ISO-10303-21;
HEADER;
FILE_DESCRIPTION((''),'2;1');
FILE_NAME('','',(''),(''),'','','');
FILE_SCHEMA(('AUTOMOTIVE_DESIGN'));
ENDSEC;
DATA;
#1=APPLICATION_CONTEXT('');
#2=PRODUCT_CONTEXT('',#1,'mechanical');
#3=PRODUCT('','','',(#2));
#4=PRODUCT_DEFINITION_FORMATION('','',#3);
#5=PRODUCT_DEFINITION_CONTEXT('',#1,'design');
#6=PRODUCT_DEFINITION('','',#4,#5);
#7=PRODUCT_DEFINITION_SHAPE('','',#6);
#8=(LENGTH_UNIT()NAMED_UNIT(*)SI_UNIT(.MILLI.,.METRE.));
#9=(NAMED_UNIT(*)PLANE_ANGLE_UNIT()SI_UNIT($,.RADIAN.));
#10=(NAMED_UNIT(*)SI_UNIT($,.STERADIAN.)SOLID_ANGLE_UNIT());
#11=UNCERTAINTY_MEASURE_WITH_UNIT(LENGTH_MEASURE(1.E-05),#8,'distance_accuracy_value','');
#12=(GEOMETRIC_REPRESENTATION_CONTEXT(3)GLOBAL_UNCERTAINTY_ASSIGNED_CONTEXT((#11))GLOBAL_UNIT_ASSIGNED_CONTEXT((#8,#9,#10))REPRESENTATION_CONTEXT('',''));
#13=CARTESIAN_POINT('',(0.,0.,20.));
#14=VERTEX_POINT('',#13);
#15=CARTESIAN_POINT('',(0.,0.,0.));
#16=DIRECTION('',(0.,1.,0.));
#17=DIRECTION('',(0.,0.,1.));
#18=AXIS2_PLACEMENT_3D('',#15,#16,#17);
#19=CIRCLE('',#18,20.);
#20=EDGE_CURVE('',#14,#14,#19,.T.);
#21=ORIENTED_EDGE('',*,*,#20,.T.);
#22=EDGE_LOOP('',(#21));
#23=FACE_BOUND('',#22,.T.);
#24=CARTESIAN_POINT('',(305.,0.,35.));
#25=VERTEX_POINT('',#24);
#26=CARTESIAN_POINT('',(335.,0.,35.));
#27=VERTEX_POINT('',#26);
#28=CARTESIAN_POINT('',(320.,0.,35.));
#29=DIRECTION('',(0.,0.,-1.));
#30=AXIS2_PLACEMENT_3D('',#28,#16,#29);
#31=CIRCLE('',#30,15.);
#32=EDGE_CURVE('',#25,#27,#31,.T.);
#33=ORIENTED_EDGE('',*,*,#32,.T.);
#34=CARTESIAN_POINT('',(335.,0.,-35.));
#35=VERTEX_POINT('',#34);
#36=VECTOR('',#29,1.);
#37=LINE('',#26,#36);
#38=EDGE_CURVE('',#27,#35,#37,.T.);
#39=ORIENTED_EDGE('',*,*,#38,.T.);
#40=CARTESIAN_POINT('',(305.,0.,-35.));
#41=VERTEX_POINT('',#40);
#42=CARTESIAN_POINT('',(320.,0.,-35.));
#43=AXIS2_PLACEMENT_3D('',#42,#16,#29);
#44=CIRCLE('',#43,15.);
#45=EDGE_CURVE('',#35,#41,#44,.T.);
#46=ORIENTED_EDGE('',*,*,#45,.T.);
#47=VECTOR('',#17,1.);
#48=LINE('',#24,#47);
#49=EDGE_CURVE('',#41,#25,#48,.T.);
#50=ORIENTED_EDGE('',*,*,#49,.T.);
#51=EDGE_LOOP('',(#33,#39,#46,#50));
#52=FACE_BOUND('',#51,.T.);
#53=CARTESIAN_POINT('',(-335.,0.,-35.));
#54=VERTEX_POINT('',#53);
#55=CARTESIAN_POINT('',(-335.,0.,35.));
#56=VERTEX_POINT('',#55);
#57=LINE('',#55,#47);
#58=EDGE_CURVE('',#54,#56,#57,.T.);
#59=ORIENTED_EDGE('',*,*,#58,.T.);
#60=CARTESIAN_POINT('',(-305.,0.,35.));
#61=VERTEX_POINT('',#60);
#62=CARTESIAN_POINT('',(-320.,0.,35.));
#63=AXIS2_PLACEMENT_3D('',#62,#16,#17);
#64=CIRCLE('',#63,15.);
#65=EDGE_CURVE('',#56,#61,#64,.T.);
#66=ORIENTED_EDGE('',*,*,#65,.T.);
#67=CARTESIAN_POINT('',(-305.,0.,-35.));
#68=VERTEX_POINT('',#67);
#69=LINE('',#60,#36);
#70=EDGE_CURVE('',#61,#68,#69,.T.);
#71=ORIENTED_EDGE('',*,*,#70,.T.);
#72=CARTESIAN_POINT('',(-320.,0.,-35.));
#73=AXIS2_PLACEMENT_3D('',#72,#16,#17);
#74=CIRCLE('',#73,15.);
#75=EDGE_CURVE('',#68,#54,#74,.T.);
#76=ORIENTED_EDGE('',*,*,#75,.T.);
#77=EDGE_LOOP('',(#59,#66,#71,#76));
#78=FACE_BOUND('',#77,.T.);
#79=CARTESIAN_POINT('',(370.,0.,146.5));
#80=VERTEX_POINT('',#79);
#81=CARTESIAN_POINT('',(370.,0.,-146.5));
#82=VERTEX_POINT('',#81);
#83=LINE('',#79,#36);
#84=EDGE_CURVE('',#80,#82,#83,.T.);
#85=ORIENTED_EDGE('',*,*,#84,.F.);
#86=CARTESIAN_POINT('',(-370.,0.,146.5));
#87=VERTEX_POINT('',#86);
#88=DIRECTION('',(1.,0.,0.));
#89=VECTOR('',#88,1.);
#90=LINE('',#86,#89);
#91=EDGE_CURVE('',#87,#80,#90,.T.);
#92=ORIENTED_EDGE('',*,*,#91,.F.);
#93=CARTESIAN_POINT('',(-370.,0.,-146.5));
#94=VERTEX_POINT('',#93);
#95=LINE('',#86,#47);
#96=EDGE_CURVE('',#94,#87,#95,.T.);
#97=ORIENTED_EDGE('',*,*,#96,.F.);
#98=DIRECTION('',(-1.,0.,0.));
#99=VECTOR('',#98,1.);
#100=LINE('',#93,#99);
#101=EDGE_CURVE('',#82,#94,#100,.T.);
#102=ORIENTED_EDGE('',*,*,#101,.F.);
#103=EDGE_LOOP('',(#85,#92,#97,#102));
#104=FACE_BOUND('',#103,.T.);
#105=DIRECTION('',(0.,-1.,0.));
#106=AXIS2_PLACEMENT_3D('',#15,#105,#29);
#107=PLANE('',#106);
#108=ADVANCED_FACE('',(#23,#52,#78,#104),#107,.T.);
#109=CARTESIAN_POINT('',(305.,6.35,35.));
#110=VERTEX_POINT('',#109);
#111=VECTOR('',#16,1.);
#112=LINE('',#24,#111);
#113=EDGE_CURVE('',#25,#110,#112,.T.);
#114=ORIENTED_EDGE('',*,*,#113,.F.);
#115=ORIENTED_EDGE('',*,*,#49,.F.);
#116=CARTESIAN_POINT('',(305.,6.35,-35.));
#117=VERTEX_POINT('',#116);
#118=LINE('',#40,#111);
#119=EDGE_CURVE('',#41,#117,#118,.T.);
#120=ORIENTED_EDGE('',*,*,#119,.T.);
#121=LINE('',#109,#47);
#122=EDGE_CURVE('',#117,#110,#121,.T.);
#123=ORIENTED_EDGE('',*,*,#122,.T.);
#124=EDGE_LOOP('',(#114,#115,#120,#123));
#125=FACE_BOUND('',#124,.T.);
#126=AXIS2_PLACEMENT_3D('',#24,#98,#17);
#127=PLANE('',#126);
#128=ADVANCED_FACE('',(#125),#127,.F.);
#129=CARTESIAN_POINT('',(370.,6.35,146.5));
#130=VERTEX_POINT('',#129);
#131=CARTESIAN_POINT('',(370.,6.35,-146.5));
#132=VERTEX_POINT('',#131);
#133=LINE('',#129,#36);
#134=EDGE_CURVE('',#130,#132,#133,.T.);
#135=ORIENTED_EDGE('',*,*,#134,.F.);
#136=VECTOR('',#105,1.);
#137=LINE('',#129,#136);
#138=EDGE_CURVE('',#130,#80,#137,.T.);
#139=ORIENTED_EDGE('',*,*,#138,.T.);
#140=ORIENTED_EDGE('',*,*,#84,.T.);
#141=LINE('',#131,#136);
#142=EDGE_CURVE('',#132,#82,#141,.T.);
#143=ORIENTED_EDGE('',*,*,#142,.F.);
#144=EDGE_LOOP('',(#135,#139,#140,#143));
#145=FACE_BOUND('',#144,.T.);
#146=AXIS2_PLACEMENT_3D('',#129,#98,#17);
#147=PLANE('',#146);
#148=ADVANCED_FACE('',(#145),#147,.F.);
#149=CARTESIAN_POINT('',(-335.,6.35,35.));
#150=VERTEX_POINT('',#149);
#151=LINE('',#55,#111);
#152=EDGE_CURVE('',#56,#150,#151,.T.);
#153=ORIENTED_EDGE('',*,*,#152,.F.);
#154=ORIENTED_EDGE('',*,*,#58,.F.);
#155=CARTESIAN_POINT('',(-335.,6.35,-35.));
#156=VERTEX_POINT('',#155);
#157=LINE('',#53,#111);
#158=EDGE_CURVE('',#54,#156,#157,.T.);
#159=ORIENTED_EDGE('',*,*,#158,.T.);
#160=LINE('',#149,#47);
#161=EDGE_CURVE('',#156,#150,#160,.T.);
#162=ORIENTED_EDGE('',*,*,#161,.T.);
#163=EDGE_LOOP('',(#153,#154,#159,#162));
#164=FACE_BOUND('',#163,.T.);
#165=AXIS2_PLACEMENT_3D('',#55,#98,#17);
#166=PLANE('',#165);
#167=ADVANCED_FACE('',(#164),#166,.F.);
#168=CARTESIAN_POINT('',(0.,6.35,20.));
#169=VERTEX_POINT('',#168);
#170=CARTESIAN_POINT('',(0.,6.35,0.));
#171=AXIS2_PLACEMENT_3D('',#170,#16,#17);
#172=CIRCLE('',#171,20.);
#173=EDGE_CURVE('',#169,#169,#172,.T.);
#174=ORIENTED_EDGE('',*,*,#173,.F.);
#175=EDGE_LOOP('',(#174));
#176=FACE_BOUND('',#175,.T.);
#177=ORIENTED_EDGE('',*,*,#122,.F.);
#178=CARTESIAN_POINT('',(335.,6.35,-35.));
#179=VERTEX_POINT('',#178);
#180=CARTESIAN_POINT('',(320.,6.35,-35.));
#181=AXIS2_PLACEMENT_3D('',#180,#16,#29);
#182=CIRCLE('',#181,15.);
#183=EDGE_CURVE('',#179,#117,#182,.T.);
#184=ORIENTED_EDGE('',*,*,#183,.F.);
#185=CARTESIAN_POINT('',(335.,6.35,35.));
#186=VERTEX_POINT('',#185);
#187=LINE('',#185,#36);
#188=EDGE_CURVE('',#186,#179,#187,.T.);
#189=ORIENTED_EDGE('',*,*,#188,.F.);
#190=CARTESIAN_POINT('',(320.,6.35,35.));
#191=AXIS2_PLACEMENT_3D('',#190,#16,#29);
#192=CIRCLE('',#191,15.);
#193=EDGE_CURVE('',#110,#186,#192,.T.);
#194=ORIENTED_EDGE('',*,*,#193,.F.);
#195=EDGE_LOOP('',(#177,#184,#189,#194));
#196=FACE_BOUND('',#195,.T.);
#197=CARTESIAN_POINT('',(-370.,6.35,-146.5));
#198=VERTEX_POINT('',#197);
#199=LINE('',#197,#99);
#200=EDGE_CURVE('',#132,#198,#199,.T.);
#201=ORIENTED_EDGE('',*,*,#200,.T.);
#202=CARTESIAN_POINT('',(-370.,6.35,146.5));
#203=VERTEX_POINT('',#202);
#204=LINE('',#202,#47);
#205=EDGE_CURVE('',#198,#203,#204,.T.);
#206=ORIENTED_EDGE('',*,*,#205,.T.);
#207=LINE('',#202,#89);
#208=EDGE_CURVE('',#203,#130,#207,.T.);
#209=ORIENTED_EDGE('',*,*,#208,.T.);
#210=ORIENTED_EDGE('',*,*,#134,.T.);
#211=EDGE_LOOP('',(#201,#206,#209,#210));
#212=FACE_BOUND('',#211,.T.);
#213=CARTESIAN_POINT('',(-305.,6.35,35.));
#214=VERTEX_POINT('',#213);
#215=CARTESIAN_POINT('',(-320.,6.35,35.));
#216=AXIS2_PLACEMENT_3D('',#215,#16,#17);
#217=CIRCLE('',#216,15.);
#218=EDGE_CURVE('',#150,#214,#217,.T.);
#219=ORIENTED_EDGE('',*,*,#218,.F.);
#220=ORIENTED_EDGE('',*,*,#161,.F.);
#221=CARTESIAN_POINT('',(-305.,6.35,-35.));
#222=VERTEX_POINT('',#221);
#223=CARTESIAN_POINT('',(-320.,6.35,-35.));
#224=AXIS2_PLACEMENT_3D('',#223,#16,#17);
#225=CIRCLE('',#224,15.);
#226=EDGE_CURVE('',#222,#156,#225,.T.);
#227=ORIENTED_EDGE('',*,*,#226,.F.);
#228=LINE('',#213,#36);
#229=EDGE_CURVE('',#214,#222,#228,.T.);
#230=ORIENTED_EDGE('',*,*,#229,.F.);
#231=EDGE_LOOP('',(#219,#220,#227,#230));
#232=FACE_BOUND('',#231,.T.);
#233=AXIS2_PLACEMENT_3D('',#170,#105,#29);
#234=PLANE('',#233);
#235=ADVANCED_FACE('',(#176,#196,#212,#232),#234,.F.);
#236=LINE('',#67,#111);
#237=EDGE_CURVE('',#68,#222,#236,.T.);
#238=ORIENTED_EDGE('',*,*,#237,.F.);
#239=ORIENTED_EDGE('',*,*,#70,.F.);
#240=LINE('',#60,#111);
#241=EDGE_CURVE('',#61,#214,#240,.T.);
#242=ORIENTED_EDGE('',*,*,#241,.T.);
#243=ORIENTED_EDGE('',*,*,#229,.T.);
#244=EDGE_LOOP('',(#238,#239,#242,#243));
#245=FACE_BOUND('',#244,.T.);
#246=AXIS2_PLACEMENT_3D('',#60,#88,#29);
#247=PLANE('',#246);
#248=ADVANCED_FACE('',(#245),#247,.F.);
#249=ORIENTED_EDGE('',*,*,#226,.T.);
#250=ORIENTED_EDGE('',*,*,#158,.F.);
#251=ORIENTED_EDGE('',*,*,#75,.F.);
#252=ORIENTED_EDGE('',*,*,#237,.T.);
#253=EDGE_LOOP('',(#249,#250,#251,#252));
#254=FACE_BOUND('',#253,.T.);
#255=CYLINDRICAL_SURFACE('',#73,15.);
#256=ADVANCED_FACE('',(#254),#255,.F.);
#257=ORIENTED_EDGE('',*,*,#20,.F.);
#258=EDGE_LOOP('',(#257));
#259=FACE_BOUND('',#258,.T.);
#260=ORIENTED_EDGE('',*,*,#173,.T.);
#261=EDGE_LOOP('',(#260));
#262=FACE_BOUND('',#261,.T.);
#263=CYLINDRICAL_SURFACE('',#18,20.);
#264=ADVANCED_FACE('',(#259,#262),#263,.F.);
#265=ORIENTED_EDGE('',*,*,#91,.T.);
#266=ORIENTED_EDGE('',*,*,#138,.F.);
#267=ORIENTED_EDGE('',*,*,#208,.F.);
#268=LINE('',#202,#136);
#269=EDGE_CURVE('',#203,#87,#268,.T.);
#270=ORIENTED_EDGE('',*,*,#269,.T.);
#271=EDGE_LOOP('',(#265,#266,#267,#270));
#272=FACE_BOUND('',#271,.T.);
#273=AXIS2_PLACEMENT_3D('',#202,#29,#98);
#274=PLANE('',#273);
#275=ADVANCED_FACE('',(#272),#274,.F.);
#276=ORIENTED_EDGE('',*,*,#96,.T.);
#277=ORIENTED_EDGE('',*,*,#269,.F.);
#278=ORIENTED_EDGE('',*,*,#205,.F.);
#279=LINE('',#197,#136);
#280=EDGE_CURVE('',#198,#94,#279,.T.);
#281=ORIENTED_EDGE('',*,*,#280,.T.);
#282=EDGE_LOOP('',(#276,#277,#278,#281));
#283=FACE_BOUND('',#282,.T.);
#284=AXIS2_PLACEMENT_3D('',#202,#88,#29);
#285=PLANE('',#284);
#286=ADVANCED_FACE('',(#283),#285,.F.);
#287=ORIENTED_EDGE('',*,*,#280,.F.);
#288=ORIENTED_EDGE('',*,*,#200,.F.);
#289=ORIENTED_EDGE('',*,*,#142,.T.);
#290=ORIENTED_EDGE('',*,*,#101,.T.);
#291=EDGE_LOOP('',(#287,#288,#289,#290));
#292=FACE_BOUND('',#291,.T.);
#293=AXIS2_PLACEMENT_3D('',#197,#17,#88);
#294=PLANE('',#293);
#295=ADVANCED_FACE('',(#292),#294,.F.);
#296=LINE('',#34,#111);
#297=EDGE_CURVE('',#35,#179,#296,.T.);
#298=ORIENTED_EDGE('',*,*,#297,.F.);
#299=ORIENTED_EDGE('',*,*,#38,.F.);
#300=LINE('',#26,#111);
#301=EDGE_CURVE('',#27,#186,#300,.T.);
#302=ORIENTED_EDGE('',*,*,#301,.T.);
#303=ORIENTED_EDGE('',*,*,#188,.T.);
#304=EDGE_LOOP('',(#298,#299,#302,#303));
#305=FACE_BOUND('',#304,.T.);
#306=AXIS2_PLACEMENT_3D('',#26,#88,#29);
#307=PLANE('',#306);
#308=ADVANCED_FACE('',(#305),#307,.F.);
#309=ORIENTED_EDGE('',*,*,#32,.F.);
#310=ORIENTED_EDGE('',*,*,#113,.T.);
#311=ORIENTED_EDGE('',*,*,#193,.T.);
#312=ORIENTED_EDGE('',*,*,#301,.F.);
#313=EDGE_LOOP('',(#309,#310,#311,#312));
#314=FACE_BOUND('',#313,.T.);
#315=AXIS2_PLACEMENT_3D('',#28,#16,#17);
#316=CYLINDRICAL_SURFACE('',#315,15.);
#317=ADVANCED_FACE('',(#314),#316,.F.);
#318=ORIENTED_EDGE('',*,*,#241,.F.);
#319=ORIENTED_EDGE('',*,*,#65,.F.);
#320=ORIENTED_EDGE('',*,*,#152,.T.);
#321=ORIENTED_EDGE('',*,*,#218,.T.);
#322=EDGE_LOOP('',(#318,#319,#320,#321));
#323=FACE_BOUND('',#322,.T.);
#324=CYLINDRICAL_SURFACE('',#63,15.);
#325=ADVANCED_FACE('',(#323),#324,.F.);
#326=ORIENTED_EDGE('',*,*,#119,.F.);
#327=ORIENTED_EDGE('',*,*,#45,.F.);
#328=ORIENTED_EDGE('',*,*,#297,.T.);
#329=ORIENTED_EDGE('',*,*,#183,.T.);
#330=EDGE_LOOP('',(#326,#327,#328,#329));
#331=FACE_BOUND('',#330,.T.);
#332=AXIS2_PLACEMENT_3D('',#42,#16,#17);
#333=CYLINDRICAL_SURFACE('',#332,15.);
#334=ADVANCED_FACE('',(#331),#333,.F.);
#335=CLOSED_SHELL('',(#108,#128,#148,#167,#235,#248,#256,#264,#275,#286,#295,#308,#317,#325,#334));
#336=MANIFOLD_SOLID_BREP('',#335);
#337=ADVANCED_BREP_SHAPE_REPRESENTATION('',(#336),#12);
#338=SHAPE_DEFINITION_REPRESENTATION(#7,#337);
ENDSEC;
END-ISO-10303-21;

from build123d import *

# Parameters (mm, degrees)
SKETCH1_W         = 740
SKETCH1_H         = 293
BASE_DEPTH        = 6.35
HANDLES_DEPTH     = 398.998206654
SKETCH3_R         = 20
CAMERA_HOLE_DEPTH = 398.998206654


with BuildPart() as part:
    # Sketch1 → Base (new body)
    with BuildSketch(Plane(origin=(0, 0, 0), x_dir=(1, 0, 0), z_dir=(0, 1, 0))):
        Rectangle(SKETCH1_W, SKETCH1_H)
    extrude(amount=BASE_DEPTH)

    # Sketch2 → Handles (cut, through all)
    with BuildSketch(Plane(origin=(0, 6.35, 0), x_dir=(1, 0, 0), z_dir=(0, 1, 0))):
        with BuildLine():
            Line((-335, -35), (-335, 35))
            ThreePointArc((-335, 35), (-320, 50), (-305, 35))
            Line((-305, 35), (-305, -35))
            ThreePointArc((-305, -35), (-320, -50), (-335, -35))
        make_face()
        with BuildLine():
            Line((335, -35), (335, 35))
            ThreePointArc((335, 35), (320, 50), (305, 35))
            Line((305, 35), (305, -35))
            ThreePointArc((305, -35), (320, -50), (335, -35))
        make_face()
    extrude(amount=-HANDLES_DEPTH, mode=Mode.SUBTRACT)

    # Sketch3 → Camera Hole (cut, through all)
    with BuildSketch(Plane(origin=(0, 6.35, 0), x_dir=(1, 0, 0), z_dir=(0, 1, 0))):
        with Locations(Location((0, 0, 0), (0, 0, 270))):
            Circle(SKETCH3_R)
    extrude(amount=-CAMERA_HOLE_DEPTH, mode=Mode.SUBTRACT)


solid = part.part
